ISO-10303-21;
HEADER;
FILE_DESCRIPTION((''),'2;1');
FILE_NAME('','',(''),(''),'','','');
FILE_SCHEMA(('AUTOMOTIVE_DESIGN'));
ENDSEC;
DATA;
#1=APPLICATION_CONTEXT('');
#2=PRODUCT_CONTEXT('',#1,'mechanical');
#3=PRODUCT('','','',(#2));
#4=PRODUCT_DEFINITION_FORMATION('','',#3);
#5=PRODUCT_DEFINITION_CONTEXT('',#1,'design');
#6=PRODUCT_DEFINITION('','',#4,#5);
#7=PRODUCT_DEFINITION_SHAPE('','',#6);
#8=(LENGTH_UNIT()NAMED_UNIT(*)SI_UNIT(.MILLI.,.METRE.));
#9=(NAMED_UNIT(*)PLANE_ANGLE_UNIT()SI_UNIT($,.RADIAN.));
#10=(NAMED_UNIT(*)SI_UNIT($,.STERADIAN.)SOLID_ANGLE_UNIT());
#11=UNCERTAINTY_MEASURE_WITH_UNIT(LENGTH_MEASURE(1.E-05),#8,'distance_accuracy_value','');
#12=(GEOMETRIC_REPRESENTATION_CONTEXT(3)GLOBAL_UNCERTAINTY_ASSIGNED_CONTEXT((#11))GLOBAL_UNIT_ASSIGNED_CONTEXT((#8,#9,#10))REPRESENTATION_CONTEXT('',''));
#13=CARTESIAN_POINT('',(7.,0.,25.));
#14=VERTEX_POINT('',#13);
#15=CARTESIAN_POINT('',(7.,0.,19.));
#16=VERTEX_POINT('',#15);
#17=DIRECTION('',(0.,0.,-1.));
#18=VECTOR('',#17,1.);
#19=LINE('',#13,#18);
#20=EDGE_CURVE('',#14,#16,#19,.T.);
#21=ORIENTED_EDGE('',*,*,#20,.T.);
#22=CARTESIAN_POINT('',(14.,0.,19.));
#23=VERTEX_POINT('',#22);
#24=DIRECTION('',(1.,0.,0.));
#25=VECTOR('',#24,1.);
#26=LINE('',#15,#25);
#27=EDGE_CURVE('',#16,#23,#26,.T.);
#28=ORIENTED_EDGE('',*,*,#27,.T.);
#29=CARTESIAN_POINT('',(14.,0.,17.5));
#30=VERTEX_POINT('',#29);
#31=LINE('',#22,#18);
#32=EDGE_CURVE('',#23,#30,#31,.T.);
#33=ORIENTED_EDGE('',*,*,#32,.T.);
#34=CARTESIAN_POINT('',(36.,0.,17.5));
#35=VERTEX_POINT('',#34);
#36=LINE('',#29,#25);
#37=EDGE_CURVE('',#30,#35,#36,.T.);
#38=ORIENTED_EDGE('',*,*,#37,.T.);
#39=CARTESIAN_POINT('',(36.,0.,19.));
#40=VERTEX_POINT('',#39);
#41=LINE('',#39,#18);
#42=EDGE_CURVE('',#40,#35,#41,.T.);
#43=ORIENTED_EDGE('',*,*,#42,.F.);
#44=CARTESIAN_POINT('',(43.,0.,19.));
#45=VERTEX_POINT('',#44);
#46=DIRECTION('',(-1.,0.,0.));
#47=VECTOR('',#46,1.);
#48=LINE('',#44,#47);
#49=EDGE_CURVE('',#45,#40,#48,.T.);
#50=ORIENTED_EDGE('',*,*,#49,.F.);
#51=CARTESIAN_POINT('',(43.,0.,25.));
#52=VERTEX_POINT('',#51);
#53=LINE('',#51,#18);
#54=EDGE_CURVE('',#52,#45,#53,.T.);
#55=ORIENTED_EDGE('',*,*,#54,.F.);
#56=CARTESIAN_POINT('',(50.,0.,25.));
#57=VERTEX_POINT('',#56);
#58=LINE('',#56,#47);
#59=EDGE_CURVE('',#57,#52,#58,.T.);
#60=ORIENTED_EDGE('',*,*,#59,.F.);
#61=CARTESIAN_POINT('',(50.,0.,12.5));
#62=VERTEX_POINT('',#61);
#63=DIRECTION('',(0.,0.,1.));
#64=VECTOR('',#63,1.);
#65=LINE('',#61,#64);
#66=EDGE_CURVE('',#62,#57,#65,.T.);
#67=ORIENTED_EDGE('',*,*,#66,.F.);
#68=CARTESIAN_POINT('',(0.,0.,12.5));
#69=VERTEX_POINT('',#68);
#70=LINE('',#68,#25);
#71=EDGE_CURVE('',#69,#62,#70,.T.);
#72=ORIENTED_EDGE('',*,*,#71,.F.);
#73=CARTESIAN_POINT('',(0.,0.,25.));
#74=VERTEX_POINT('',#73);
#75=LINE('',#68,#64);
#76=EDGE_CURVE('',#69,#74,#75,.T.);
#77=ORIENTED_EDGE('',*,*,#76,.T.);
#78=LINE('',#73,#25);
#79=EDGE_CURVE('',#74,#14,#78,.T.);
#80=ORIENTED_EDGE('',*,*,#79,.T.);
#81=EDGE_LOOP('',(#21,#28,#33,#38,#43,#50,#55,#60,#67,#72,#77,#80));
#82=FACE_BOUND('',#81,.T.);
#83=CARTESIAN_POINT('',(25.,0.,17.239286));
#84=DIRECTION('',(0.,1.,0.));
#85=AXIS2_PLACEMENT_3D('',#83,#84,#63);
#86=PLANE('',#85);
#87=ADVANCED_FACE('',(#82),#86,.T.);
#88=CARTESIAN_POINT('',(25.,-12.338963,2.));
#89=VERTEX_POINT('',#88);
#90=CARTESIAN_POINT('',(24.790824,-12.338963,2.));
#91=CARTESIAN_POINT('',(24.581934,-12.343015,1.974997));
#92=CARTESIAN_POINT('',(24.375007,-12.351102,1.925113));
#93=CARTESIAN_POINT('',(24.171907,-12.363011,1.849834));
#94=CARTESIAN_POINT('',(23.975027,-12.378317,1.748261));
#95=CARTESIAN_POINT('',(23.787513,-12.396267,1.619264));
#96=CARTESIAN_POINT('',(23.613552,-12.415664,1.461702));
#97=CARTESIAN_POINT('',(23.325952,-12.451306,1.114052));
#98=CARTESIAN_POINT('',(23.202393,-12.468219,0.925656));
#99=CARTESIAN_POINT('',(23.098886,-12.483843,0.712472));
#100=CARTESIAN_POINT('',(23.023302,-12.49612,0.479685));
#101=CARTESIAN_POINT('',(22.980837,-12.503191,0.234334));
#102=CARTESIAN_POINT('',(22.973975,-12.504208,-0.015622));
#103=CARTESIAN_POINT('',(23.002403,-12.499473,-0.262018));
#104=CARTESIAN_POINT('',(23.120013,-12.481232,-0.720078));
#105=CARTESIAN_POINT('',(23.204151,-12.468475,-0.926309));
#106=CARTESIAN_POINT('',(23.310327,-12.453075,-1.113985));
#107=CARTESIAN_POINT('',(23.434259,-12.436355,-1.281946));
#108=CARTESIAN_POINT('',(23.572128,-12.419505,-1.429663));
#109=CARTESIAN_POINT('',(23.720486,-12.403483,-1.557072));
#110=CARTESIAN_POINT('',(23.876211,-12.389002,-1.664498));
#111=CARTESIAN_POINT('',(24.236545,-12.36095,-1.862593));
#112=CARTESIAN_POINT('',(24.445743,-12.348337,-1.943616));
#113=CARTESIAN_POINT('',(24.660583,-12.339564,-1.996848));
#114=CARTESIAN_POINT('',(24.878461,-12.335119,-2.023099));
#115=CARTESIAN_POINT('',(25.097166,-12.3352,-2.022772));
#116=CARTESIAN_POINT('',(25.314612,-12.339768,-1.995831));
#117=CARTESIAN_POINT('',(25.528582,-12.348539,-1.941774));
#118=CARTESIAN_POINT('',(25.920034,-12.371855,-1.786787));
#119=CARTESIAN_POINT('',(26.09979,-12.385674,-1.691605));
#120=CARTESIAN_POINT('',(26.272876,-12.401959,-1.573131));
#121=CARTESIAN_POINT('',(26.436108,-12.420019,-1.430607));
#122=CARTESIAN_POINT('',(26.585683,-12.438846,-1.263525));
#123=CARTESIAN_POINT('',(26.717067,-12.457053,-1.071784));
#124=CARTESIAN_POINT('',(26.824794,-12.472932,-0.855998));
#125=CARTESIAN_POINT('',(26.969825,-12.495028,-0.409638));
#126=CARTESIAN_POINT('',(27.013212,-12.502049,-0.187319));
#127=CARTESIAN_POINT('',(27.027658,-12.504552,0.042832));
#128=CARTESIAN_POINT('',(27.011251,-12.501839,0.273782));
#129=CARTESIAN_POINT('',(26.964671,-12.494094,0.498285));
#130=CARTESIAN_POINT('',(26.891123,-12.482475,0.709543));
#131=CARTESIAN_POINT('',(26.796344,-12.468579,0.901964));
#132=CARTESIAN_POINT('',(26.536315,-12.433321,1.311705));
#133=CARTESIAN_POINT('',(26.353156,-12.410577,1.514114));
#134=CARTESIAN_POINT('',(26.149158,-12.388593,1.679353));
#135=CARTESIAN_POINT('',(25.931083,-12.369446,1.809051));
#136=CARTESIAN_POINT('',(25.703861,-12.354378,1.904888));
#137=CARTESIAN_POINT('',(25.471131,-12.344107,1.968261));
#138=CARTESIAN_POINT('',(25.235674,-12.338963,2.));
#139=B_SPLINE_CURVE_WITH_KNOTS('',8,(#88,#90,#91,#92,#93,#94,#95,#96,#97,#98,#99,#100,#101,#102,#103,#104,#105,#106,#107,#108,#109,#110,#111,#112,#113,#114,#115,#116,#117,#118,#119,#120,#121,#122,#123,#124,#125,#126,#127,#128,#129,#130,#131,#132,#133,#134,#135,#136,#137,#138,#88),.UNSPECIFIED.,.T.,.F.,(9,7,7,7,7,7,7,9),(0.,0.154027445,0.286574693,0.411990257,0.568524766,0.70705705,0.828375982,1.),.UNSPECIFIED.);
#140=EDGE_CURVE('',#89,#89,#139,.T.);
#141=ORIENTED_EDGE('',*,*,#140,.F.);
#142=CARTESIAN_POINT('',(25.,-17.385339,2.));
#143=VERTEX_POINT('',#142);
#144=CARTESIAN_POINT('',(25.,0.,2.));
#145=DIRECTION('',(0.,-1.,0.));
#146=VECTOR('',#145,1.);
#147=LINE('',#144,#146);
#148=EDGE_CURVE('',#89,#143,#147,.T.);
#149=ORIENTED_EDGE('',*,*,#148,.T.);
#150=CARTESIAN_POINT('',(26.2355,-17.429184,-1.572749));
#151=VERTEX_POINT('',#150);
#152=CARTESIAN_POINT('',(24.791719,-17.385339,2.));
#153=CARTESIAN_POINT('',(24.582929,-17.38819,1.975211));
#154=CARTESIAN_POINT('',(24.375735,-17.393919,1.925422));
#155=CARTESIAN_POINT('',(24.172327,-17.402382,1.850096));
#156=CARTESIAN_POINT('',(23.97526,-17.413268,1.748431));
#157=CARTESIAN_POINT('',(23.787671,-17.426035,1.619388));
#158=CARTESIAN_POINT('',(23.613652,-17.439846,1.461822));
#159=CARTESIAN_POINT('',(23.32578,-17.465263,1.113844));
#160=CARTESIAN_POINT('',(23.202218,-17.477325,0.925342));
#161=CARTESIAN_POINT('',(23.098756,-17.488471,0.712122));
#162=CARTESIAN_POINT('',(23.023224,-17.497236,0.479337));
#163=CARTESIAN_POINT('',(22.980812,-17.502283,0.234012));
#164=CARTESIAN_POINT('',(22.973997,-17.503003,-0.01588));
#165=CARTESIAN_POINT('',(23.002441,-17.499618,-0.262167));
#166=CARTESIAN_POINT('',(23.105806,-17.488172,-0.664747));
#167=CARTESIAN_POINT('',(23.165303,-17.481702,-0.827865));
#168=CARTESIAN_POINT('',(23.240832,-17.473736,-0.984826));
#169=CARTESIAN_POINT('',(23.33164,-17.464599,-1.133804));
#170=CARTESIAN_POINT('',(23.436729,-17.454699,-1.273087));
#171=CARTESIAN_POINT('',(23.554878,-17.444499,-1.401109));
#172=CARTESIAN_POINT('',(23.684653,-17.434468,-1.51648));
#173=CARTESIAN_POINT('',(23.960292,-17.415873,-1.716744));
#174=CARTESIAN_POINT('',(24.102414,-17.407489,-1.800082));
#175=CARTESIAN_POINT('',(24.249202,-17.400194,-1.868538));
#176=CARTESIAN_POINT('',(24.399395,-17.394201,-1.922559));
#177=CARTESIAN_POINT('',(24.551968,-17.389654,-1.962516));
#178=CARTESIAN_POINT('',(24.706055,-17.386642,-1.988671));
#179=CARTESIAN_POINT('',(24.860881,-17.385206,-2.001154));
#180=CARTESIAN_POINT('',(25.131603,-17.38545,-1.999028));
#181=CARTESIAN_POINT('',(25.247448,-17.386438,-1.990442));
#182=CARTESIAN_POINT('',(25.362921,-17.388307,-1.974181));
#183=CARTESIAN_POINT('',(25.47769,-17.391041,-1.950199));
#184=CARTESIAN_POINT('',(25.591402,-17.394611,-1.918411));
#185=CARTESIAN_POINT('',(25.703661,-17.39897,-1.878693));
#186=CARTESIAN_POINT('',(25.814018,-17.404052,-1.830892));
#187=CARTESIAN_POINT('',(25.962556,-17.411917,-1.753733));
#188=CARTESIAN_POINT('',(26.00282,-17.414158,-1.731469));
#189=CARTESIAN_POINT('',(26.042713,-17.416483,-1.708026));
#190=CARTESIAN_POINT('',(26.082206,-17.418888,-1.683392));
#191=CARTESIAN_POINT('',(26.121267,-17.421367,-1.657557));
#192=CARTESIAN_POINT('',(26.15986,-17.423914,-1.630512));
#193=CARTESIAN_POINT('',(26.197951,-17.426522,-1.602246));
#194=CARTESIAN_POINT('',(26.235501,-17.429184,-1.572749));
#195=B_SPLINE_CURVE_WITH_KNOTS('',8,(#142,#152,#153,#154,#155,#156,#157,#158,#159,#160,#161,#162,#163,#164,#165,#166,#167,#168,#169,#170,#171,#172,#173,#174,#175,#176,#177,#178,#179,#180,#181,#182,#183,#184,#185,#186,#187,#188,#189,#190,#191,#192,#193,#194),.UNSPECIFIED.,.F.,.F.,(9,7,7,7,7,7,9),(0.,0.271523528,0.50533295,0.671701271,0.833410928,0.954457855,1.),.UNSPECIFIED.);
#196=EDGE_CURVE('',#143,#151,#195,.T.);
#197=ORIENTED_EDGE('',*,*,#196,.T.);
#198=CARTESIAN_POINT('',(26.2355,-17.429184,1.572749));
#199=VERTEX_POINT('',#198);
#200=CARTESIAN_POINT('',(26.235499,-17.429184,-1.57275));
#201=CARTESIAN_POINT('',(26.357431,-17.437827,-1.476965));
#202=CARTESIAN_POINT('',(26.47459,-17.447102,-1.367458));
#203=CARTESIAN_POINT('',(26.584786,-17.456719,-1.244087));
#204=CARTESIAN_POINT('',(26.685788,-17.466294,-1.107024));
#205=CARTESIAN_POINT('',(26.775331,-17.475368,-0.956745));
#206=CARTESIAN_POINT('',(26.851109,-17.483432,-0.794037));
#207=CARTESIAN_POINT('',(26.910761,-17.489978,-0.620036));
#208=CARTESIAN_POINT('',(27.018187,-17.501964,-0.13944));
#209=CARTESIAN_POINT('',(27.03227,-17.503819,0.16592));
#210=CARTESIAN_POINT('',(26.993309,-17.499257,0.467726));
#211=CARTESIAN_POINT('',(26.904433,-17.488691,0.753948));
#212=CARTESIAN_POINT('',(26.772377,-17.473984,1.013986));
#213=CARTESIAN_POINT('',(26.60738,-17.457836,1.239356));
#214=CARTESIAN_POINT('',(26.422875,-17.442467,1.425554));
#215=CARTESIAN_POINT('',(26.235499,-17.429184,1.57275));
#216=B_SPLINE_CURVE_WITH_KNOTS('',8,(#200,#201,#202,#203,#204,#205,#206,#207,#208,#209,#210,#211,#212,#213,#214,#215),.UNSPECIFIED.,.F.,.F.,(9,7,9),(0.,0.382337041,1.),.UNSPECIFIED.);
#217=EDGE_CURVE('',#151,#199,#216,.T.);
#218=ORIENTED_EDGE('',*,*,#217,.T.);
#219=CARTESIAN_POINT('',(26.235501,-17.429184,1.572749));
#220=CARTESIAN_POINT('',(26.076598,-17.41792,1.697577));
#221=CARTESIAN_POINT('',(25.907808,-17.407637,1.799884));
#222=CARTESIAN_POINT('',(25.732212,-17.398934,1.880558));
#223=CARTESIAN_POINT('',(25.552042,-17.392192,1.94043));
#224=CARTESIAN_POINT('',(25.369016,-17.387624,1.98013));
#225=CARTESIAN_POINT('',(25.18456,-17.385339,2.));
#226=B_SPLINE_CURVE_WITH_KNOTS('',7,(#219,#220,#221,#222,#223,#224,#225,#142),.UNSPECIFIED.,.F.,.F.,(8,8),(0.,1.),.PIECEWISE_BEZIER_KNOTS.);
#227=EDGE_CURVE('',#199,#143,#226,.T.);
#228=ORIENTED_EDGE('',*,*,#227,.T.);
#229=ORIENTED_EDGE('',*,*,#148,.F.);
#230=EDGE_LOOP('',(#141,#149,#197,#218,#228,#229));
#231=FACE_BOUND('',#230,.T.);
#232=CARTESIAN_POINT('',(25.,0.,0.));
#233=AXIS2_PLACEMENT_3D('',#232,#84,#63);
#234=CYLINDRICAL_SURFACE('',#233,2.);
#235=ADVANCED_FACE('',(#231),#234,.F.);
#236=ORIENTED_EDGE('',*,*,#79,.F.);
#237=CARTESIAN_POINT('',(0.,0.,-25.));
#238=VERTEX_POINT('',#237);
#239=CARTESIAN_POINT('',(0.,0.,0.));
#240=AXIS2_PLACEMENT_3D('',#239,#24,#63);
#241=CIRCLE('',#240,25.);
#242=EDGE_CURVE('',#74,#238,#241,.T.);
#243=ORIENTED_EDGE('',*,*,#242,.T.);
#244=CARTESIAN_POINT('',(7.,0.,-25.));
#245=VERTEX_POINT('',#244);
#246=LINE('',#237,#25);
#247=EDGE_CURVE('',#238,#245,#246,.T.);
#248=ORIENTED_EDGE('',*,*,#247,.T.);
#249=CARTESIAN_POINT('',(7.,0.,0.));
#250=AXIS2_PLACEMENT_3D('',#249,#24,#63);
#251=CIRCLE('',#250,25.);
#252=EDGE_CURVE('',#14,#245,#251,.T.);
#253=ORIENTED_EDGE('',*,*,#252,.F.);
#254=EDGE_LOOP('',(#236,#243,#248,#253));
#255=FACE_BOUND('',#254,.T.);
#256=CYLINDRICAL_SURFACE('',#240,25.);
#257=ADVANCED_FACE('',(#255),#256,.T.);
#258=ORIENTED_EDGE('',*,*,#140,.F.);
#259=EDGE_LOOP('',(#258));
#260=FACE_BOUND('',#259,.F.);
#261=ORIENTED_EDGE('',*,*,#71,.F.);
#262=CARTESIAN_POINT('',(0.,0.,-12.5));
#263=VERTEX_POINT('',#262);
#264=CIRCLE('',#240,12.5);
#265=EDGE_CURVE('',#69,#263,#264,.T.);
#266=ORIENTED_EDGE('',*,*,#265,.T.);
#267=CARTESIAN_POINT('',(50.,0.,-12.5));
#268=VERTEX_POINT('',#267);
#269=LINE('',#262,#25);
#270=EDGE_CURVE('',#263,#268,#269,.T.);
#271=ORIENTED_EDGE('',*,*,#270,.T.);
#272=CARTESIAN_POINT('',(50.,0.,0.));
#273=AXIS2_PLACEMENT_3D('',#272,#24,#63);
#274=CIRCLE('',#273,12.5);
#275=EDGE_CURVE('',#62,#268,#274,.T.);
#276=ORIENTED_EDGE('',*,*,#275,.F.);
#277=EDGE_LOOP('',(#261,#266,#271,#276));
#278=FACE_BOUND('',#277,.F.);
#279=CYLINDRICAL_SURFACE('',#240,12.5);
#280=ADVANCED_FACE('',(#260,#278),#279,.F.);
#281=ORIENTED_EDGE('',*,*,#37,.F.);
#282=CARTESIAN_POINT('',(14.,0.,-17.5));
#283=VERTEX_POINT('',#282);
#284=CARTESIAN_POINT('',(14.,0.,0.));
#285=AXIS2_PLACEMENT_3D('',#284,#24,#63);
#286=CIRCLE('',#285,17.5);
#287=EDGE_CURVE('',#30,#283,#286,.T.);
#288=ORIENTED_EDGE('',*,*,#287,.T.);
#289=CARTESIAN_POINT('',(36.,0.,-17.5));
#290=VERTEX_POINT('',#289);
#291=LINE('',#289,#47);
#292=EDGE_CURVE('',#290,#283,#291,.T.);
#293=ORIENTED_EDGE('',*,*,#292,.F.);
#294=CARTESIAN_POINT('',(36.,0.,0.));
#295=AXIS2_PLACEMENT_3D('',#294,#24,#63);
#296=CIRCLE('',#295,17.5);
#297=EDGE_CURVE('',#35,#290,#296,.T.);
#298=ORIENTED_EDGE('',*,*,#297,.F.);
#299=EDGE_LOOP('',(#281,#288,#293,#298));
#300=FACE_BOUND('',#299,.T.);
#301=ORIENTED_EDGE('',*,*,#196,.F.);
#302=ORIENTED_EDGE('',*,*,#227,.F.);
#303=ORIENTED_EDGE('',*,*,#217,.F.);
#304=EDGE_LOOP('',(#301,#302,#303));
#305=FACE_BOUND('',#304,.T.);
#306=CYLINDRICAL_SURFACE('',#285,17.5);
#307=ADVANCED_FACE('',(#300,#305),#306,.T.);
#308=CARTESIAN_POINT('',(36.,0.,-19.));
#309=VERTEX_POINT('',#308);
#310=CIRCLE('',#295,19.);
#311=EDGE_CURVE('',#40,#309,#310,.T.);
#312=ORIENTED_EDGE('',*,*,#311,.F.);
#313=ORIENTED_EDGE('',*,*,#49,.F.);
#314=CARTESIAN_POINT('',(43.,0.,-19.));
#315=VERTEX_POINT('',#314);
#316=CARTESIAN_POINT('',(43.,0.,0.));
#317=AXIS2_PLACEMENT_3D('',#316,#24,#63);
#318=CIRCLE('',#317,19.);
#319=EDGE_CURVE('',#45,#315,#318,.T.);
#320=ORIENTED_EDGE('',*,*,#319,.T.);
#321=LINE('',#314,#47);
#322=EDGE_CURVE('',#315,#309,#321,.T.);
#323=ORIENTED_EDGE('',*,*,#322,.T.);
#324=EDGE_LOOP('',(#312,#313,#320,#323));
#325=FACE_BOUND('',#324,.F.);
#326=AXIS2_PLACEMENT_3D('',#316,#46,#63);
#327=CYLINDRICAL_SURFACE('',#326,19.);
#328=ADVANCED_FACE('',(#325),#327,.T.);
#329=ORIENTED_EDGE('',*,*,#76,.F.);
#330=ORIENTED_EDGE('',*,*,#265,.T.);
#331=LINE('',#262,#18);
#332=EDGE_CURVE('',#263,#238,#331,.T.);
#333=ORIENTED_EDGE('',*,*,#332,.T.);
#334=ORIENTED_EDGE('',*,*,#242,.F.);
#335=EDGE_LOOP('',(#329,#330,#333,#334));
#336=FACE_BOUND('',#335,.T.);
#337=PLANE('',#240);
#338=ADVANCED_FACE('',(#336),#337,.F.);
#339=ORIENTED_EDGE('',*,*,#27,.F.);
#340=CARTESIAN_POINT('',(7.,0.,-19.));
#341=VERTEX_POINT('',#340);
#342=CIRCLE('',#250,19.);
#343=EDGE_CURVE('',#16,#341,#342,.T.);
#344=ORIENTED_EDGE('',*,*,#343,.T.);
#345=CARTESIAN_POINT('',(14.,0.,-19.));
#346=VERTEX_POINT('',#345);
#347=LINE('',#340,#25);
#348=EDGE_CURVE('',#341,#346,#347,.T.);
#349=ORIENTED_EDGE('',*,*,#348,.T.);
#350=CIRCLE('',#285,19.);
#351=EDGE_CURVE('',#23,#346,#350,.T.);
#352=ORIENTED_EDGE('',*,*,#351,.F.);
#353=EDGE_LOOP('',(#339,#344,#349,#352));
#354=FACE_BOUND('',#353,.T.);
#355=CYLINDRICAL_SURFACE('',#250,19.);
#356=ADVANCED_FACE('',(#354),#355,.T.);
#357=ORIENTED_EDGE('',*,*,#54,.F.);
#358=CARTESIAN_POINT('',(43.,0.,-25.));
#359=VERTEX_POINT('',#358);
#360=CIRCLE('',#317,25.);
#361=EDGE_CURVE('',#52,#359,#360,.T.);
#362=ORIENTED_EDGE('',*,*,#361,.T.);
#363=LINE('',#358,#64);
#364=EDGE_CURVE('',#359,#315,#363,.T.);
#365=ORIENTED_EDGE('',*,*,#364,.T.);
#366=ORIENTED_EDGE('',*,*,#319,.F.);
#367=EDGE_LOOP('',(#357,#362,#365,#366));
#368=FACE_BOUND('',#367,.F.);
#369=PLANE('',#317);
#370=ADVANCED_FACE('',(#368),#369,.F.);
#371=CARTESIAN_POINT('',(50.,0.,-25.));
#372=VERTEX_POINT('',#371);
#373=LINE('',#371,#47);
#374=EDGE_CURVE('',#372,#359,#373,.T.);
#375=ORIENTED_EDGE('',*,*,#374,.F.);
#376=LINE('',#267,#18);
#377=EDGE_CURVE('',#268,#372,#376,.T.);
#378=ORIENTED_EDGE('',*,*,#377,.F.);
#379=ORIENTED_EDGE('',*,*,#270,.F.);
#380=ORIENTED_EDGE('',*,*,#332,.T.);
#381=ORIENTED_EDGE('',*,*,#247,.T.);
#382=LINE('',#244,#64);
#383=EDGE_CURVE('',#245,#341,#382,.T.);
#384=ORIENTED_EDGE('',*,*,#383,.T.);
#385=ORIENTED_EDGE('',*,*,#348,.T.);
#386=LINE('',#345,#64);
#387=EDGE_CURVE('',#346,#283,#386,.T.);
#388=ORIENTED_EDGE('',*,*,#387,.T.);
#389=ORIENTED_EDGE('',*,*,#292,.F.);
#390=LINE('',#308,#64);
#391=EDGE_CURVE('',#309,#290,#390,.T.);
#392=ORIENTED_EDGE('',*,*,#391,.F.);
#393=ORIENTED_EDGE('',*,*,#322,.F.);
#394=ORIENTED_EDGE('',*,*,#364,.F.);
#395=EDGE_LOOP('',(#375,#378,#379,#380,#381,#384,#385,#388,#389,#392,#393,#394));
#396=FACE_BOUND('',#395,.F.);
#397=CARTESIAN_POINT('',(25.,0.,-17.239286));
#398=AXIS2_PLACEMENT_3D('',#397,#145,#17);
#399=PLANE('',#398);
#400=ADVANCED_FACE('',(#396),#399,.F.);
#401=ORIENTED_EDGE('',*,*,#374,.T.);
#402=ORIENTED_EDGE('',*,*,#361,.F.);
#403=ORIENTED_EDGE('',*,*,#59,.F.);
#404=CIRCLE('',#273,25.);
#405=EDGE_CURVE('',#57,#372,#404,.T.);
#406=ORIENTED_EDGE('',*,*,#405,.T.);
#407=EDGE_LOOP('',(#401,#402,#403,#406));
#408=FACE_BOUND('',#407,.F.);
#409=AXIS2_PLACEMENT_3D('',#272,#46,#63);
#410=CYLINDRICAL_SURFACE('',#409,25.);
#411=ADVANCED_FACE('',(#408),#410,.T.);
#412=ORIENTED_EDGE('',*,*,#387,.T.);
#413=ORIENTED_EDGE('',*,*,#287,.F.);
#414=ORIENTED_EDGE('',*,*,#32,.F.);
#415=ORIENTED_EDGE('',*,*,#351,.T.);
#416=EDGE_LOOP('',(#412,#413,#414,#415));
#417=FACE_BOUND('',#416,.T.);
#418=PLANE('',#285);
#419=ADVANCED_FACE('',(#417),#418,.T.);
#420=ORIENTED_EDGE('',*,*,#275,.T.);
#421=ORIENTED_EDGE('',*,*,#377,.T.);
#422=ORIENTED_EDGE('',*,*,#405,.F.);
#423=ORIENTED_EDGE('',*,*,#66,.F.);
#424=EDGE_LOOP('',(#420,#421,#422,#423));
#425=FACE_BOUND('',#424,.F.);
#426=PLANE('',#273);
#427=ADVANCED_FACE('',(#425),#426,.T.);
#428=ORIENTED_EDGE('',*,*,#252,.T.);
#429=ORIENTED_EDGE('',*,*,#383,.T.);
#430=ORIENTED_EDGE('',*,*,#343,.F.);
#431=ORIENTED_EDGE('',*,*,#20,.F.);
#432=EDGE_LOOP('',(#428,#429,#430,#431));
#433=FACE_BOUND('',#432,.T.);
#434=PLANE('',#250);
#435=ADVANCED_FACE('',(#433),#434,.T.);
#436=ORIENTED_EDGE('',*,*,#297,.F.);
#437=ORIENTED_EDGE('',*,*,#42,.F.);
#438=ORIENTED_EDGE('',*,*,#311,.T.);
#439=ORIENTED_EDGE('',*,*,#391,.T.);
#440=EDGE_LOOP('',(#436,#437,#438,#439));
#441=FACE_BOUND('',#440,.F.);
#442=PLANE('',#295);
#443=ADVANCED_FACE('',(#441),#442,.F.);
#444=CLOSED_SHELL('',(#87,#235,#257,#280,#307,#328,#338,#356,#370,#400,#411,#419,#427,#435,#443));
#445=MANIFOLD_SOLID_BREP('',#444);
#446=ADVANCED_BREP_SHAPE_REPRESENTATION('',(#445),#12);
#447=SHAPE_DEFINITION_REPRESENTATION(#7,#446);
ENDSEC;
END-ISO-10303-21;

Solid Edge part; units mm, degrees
sketch "Sketch1" plane through (0, 0, 0) normal (0, -1, 0) x (1, 0, 0)
  line L0 (7, 19) -> (14, 19)
  line L1 (14, 19) -> (14, 17.5)
  line L2 (14, 17.5) -> (26.2355, 17.5)
  line L3 (36, 17.5) -> (26.2355, 17.5)
  line L4 (36, 19) -> (36, 17.5)
  line L5 (43, 19) -> (36, 19)
  line L6 (43, 25) -> (43, 19)
  line L7 (50, 25) -> (43, 25)
  line L8 (50, 12.5) -> (50, 25)
  line L9 (0, 12.5) -> (50, 12.5)
  line L10 (0, 12.5) -> (0, 25)
  line L11 (0, 25) -> (7, 25)
  line L12 (7, 25) -> (7, 19)
revolve "RevolvedProtrusion1" add sketch "Sketch1" angle 180 about axis through (0, 0, 0) along (1, 0, 0)
hole "Hole_1" at (25, 0, 0) direction (0, -1, 0) diameter 4 end through all
